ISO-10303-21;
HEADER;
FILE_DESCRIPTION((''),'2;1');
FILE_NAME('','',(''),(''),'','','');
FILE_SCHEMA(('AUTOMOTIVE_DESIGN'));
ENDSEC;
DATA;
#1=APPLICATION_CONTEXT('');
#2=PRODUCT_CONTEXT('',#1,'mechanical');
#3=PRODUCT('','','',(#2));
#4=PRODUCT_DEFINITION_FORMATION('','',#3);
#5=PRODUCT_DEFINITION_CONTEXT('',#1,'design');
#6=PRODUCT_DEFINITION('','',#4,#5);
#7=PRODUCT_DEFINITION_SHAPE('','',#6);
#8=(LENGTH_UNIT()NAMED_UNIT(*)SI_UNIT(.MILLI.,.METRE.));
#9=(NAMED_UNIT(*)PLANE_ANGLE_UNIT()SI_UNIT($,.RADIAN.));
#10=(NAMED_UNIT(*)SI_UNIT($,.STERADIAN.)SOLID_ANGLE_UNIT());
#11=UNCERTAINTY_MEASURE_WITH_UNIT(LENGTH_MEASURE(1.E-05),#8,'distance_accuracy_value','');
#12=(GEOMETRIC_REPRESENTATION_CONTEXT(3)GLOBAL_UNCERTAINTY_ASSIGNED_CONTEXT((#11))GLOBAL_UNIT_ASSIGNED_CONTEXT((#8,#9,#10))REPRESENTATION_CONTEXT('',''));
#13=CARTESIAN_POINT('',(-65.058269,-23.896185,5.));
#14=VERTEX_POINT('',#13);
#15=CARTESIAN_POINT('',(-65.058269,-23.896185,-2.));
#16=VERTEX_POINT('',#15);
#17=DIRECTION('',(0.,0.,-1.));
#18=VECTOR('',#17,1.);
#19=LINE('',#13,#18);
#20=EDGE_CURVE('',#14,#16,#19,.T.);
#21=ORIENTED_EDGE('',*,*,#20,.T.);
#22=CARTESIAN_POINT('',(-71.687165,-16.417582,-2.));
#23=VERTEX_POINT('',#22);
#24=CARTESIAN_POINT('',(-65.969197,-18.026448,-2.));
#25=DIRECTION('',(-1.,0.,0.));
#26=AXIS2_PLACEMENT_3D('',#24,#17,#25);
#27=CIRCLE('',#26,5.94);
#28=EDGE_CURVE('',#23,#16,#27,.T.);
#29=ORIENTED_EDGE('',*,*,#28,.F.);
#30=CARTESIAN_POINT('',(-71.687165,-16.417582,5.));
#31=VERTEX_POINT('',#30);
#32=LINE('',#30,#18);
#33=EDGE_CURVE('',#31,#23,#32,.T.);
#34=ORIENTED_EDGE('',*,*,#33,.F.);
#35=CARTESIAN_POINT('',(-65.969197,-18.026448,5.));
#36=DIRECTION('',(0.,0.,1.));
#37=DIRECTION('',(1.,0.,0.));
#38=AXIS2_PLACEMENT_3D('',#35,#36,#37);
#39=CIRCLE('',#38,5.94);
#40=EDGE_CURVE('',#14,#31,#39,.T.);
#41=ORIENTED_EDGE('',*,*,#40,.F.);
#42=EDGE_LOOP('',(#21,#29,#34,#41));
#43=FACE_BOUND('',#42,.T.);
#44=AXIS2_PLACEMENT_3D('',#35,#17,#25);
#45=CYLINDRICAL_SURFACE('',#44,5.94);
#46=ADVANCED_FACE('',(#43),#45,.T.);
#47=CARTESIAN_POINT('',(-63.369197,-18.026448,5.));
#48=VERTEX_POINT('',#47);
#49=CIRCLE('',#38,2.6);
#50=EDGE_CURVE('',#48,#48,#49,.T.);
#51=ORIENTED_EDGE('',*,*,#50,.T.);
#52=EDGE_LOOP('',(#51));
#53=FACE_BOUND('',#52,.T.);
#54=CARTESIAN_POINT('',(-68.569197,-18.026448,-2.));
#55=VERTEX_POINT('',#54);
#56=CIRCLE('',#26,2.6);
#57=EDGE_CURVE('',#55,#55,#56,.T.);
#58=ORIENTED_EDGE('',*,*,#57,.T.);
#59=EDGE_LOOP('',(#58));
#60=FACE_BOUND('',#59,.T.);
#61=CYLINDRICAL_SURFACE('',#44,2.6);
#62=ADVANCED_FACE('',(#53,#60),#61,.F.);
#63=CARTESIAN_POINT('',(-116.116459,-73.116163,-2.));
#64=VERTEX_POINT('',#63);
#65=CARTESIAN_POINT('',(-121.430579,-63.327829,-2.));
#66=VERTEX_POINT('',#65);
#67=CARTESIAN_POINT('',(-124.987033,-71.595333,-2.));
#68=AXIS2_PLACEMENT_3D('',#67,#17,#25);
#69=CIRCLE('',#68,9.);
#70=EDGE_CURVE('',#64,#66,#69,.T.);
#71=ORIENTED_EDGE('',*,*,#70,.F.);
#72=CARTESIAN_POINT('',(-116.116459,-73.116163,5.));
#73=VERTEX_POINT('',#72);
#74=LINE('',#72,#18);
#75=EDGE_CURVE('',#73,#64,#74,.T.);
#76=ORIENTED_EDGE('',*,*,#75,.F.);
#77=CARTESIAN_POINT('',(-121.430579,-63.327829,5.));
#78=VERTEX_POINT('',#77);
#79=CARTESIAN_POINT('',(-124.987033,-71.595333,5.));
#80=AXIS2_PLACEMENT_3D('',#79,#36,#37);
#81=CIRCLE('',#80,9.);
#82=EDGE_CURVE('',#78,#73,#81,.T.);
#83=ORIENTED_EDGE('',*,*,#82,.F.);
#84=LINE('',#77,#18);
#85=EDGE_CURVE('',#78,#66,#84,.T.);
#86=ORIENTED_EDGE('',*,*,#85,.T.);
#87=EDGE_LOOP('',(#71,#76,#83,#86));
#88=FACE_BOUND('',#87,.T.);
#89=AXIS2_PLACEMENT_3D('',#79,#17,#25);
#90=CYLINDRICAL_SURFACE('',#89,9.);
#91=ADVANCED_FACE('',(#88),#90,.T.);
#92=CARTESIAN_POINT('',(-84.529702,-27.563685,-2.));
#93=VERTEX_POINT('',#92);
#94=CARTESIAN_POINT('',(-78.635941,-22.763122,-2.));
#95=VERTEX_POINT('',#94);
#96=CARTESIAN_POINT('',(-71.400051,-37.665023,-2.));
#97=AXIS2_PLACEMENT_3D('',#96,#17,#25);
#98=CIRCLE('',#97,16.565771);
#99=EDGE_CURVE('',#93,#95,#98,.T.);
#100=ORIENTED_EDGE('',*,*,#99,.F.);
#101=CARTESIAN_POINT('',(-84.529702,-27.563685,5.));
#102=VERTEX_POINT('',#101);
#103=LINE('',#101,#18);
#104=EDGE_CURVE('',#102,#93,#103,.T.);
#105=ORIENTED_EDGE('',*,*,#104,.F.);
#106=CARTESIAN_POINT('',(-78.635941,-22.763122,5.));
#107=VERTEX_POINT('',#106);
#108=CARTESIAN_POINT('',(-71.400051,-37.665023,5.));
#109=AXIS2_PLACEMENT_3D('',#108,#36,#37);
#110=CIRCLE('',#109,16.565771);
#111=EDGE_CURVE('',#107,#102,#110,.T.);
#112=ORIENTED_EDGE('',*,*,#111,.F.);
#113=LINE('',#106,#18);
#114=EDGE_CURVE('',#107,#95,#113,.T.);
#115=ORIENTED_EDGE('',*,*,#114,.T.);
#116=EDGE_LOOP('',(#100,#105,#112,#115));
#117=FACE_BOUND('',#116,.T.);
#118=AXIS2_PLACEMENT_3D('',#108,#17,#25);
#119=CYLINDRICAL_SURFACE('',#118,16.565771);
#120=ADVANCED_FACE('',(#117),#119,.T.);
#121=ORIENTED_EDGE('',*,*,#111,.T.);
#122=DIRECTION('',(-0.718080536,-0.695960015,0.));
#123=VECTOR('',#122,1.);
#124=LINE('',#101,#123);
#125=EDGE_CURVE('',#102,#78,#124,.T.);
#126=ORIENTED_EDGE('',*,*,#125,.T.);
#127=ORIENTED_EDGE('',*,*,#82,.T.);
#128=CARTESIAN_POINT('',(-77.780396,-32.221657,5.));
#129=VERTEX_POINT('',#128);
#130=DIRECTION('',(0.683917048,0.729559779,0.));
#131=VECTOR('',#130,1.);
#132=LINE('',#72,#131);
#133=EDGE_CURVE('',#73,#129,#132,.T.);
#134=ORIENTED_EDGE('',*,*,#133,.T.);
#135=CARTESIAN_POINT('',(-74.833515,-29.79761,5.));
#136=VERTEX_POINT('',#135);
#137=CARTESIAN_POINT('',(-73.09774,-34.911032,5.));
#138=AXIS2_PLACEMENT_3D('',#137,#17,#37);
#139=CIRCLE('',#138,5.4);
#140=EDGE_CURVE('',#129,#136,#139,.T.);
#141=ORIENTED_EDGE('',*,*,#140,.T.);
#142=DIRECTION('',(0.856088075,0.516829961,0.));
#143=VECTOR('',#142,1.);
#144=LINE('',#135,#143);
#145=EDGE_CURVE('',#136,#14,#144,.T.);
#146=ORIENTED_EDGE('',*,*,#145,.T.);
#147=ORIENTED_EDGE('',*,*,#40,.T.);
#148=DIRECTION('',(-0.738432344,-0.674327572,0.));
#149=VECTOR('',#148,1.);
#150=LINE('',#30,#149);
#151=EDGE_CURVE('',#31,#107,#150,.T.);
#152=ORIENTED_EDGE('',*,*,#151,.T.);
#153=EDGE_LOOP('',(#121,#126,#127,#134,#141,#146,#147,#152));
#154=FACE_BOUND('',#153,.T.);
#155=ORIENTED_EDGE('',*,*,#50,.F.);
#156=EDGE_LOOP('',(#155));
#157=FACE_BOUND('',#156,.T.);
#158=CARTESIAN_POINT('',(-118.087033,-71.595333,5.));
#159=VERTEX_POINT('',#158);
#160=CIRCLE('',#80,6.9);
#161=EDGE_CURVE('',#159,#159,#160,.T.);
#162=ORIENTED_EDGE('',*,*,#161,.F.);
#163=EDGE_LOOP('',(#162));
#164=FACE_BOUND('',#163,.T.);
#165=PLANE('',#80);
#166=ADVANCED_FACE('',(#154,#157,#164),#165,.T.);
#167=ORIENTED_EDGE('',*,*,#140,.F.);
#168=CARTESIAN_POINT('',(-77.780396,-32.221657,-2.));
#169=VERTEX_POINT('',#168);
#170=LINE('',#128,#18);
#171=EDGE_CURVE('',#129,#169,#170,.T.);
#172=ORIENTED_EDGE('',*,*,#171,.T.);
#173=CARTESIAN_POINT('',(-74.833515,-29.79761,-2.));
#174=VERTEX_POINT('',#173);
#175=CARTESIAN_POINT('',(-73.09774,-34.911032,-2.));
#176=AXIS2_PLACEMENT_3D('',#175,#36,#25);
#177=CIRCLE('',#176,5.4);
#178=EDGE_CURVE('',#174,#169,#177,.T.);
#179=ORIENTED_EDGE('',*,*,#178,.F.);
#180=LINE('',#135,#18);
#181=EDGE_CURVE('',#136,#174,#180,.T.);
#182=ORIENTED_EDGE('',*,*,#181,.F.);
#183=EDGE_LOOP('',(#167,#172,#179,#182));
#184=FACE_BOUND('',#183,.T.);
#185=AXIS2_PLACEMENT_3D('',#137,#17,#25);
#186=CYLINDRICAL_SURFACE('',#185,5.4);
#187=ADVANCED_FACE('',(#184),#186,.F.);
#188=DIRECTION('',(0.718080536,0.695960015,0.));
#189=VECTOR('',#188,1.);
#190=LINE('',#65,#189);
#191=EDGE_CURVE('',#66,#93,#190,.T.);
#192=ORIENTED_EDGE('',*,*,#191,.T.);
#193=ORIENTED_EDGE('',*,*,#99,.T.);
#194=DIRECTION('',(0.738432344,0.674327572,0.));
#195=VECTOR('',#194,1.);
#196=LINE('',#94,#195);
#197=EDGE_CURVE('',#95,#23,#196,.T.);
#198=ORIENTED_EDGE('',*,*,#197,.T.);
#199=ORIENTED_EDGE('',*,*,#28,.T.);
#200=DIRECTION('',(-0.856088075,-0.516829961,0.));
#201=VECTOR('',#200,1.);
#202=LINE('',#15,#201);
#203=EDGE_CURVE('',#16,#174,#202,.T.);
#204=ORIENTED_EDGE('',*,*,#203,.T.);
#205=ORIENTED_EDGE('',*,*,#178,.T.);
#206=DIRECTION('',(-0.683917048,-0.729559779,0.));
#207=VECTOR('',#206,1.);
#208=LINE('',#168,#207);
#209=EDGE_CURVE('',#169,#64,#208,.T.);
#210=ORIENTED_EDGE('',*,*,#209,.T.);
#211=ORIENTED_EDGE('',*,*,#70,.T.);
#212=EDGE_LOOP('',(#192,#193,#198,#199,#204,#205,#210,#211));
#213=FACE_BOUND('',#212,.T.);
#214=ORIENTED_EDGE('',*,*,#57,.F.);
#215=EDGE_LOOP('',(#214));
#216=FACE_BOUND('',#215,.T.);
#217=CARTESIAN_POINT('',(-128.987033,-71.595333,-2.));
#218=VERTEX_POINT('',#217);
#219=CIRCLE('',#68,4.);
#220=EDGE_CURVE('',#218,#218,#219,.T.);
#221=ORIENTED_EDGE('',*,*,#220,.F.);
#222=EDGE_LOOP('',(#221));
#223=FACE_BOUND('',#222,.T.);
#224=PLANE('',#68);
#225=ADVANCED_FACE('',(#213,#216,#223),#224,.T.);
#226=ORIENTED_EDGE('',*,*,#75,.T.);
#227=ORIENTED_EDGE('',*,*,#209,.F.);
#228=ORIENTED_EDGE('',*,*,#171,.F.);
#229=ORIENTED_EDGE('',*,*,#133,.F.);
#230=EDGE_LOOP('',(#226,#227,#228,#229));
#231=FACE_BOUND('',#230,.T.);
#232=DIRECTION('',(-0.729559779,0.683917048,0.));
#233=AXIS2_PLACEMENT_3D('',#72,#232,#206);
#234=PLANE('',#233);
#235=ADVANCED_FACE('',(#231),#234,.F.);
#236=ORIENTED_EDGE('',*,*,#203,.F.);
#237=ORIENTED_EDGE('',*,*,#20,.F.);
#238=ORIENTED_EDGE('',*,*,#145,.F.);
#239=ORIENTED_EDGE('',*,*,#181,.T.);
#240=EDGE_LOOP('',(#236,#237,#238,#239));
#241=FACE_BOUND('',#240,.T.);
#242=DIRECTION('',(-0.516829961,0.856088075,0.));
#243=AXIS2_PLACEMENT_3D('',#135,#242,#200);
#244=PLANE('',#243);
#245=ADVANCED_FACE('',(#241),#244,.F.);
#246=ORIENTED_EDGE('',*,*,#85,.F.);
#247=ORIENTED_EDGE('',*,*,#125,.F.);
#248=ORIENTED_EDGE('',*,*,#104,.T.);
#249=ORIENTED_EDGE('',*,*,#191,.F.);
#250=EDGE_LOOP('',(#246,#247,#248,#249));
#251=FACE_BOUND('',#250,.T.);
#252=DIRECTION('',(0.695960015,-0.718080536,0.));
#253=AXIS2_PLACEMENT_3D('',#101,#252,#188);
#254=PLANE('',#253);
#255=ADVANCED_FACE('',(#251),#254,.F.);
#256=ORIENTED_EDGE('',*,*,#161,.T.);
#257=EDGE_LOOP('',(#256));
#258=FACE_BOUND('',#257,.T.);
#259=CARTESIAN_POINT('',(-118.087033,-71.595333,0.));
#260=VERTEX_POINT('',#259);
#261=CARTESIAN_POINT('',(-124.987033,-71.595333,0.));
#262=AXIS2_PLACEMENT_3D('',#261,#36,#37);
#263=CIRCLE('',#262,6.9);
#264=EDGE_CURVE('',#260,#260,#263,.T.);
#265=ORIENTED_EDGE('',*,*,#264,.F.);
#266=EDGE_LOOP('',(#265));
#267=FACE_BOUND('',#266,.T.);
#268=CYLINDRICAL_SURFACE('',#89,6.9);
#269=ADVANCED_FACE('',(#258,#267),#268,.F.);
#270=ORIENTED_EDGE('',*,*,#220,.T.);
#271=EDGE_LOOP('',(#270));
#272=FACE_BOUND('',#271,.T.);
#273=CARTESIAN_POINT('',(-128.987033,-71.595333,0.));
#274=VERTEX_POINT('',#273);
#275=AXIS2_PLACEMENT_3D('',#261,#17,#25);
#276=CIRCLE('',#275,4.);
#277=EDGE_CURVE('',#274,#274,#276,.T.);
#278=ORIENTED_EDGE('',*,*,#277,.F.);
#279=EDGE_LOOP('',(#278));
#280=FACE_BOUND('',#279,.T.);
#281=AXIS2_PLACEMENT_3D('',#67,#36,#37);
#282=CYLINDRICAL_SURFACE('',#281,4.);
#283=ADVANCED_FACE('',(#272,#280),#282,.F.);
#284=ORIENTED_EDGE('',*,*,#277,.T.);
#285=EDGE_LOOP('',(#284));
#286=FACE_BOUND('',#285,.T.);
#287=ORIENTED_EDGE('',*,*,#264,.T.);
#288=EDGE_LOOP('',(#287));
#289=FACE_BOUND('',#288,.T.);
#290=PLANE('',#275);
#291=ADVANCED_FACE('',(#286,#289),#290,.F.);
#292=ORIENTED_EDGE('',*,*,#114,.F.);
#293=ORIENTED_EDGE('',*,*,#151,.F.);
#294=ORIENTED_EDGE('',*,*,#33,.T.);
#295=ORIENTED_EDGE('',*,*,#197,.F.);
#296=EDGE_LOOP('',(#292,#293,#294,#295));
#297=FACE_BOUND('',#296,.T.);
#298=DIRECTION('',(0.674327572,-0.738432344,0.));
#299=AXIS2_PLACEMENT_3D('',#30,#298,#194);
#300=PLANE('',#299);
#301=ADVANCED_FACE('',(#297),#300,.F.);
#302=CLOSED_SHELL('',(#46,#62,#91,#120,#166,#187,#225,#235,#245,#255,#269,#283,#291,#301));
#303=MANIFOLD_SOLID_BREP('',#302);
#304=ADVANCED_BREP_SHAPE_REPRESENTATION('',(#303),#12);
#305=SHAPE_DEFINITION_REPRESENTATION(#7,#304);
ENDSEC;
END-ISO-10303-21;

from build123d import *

# Parameters (mm, degrees)
SKETCH1_R           = 2.6
SKETCH1_R_2         = 6.9
BOSS_EXTRUDE1_DEPTH = 5
BOSS_EXTRUDE2_START = 2
SKETCH2_R           = 4
SKETCH2_R_2         = 2.6
BOSS_EXTRUDE2_DEPTH = 2


with BuildPart() as part:
    # Sketch1 → Boss-Extrude1 (new body)
    with BuildSketch(Plane.XY):
        with BuildLine():
            Line((-116.116459466, -73.116163472), (-77.780395614, -32.221656848))
            ThreePointArc((-77.780395614, -32.221656848), (-76.528201342, -30.740668075), (-74.833515464, -29.797610273))
            Line((-74.833515464, -29.797610273), (-65.058269204, -23.896184603))
            ThreePointArc((-65.058269204, -23.896184603), (-61.52405595, -14.086356432), (-71.687164611, -16.417582375))
            Line((-71.687164611, -16.417582375), (-78.635941465, -22.763122171))
            ThreePointArc((-78.635941465, -22.763122171), (-81.861894444, -24.820779517), (-84.529701766, -27.563684997))
            Line((-84.529701766, -27.563684997), (-121.430579381, -63.327828505))
            ThreePointArc((-121.430579381, -63.327828505), (-132.896560675, -75.889442497), (-116.116459466, -73.116163472))
        make_face()
        with Locations((-65.969197132, -18.026447785)):
            Circle(SKETCH1_R, mode=Mode.SUBTRACT)
        with Locations((-124.987033061, -71.595333402)):
            Circle(SKETCH1_R_2, mode=Mode.SUBTRACT)
    extrude(amount=BOSS_EXTRUDE1_DEPTH)

    # Sketch2 → Boss-Extrude2 (add)
    with BuildSketch(Plane(origin=(0, 0, 0), x_dir=(-1, 0, 0), z_dir=(0, 0, -1)).offset(BOSS_EXTRUDE2_START)):
        with BuildLine():
            Line((121.430579381, -63.327828505), (84.529701766, -27.563684997))
            ThreePointArc((84.529701766, -27.563684997), (81.861894444, -24.820779517), (78.635941465, -22.763122171))
            Line((78.635941465, -22.763122171), (71.687164611, -16.417582375))
            ThreePointArc((71.687164611, -16.417582375), (61.52405595, -14.086356432), (65.058269204, -23.896184603))
            Line((65.058269204, -23.896184603), (74.833515464, -29.797610273))
            ThreePointArc((74.833515464, -29.797610273), (76.528201342, -30.740668075), (77.780395614, -32.221656848))
            Line((77.780395614, -32.221656848), (116.116459466, -73.116163472))
            ThreePointArc((116.116459466, -73.116163472), (132.896560675, -75.889442497), (121.430579381, -63.327828505))
        make_face()
        with Locations((124.987033061, -71.595333402)):
            Circle(SKETCH2_R, mode=Mode.SUBTRACT)
        with Locations((65.969197132, -18.026447785)):
            Circle(SKETCH2_R_2, mode=Mode.SUBTRACT)
    extrude(amount=-BOSS_EXTRUDE2_DEPTH)


solid = part.part
